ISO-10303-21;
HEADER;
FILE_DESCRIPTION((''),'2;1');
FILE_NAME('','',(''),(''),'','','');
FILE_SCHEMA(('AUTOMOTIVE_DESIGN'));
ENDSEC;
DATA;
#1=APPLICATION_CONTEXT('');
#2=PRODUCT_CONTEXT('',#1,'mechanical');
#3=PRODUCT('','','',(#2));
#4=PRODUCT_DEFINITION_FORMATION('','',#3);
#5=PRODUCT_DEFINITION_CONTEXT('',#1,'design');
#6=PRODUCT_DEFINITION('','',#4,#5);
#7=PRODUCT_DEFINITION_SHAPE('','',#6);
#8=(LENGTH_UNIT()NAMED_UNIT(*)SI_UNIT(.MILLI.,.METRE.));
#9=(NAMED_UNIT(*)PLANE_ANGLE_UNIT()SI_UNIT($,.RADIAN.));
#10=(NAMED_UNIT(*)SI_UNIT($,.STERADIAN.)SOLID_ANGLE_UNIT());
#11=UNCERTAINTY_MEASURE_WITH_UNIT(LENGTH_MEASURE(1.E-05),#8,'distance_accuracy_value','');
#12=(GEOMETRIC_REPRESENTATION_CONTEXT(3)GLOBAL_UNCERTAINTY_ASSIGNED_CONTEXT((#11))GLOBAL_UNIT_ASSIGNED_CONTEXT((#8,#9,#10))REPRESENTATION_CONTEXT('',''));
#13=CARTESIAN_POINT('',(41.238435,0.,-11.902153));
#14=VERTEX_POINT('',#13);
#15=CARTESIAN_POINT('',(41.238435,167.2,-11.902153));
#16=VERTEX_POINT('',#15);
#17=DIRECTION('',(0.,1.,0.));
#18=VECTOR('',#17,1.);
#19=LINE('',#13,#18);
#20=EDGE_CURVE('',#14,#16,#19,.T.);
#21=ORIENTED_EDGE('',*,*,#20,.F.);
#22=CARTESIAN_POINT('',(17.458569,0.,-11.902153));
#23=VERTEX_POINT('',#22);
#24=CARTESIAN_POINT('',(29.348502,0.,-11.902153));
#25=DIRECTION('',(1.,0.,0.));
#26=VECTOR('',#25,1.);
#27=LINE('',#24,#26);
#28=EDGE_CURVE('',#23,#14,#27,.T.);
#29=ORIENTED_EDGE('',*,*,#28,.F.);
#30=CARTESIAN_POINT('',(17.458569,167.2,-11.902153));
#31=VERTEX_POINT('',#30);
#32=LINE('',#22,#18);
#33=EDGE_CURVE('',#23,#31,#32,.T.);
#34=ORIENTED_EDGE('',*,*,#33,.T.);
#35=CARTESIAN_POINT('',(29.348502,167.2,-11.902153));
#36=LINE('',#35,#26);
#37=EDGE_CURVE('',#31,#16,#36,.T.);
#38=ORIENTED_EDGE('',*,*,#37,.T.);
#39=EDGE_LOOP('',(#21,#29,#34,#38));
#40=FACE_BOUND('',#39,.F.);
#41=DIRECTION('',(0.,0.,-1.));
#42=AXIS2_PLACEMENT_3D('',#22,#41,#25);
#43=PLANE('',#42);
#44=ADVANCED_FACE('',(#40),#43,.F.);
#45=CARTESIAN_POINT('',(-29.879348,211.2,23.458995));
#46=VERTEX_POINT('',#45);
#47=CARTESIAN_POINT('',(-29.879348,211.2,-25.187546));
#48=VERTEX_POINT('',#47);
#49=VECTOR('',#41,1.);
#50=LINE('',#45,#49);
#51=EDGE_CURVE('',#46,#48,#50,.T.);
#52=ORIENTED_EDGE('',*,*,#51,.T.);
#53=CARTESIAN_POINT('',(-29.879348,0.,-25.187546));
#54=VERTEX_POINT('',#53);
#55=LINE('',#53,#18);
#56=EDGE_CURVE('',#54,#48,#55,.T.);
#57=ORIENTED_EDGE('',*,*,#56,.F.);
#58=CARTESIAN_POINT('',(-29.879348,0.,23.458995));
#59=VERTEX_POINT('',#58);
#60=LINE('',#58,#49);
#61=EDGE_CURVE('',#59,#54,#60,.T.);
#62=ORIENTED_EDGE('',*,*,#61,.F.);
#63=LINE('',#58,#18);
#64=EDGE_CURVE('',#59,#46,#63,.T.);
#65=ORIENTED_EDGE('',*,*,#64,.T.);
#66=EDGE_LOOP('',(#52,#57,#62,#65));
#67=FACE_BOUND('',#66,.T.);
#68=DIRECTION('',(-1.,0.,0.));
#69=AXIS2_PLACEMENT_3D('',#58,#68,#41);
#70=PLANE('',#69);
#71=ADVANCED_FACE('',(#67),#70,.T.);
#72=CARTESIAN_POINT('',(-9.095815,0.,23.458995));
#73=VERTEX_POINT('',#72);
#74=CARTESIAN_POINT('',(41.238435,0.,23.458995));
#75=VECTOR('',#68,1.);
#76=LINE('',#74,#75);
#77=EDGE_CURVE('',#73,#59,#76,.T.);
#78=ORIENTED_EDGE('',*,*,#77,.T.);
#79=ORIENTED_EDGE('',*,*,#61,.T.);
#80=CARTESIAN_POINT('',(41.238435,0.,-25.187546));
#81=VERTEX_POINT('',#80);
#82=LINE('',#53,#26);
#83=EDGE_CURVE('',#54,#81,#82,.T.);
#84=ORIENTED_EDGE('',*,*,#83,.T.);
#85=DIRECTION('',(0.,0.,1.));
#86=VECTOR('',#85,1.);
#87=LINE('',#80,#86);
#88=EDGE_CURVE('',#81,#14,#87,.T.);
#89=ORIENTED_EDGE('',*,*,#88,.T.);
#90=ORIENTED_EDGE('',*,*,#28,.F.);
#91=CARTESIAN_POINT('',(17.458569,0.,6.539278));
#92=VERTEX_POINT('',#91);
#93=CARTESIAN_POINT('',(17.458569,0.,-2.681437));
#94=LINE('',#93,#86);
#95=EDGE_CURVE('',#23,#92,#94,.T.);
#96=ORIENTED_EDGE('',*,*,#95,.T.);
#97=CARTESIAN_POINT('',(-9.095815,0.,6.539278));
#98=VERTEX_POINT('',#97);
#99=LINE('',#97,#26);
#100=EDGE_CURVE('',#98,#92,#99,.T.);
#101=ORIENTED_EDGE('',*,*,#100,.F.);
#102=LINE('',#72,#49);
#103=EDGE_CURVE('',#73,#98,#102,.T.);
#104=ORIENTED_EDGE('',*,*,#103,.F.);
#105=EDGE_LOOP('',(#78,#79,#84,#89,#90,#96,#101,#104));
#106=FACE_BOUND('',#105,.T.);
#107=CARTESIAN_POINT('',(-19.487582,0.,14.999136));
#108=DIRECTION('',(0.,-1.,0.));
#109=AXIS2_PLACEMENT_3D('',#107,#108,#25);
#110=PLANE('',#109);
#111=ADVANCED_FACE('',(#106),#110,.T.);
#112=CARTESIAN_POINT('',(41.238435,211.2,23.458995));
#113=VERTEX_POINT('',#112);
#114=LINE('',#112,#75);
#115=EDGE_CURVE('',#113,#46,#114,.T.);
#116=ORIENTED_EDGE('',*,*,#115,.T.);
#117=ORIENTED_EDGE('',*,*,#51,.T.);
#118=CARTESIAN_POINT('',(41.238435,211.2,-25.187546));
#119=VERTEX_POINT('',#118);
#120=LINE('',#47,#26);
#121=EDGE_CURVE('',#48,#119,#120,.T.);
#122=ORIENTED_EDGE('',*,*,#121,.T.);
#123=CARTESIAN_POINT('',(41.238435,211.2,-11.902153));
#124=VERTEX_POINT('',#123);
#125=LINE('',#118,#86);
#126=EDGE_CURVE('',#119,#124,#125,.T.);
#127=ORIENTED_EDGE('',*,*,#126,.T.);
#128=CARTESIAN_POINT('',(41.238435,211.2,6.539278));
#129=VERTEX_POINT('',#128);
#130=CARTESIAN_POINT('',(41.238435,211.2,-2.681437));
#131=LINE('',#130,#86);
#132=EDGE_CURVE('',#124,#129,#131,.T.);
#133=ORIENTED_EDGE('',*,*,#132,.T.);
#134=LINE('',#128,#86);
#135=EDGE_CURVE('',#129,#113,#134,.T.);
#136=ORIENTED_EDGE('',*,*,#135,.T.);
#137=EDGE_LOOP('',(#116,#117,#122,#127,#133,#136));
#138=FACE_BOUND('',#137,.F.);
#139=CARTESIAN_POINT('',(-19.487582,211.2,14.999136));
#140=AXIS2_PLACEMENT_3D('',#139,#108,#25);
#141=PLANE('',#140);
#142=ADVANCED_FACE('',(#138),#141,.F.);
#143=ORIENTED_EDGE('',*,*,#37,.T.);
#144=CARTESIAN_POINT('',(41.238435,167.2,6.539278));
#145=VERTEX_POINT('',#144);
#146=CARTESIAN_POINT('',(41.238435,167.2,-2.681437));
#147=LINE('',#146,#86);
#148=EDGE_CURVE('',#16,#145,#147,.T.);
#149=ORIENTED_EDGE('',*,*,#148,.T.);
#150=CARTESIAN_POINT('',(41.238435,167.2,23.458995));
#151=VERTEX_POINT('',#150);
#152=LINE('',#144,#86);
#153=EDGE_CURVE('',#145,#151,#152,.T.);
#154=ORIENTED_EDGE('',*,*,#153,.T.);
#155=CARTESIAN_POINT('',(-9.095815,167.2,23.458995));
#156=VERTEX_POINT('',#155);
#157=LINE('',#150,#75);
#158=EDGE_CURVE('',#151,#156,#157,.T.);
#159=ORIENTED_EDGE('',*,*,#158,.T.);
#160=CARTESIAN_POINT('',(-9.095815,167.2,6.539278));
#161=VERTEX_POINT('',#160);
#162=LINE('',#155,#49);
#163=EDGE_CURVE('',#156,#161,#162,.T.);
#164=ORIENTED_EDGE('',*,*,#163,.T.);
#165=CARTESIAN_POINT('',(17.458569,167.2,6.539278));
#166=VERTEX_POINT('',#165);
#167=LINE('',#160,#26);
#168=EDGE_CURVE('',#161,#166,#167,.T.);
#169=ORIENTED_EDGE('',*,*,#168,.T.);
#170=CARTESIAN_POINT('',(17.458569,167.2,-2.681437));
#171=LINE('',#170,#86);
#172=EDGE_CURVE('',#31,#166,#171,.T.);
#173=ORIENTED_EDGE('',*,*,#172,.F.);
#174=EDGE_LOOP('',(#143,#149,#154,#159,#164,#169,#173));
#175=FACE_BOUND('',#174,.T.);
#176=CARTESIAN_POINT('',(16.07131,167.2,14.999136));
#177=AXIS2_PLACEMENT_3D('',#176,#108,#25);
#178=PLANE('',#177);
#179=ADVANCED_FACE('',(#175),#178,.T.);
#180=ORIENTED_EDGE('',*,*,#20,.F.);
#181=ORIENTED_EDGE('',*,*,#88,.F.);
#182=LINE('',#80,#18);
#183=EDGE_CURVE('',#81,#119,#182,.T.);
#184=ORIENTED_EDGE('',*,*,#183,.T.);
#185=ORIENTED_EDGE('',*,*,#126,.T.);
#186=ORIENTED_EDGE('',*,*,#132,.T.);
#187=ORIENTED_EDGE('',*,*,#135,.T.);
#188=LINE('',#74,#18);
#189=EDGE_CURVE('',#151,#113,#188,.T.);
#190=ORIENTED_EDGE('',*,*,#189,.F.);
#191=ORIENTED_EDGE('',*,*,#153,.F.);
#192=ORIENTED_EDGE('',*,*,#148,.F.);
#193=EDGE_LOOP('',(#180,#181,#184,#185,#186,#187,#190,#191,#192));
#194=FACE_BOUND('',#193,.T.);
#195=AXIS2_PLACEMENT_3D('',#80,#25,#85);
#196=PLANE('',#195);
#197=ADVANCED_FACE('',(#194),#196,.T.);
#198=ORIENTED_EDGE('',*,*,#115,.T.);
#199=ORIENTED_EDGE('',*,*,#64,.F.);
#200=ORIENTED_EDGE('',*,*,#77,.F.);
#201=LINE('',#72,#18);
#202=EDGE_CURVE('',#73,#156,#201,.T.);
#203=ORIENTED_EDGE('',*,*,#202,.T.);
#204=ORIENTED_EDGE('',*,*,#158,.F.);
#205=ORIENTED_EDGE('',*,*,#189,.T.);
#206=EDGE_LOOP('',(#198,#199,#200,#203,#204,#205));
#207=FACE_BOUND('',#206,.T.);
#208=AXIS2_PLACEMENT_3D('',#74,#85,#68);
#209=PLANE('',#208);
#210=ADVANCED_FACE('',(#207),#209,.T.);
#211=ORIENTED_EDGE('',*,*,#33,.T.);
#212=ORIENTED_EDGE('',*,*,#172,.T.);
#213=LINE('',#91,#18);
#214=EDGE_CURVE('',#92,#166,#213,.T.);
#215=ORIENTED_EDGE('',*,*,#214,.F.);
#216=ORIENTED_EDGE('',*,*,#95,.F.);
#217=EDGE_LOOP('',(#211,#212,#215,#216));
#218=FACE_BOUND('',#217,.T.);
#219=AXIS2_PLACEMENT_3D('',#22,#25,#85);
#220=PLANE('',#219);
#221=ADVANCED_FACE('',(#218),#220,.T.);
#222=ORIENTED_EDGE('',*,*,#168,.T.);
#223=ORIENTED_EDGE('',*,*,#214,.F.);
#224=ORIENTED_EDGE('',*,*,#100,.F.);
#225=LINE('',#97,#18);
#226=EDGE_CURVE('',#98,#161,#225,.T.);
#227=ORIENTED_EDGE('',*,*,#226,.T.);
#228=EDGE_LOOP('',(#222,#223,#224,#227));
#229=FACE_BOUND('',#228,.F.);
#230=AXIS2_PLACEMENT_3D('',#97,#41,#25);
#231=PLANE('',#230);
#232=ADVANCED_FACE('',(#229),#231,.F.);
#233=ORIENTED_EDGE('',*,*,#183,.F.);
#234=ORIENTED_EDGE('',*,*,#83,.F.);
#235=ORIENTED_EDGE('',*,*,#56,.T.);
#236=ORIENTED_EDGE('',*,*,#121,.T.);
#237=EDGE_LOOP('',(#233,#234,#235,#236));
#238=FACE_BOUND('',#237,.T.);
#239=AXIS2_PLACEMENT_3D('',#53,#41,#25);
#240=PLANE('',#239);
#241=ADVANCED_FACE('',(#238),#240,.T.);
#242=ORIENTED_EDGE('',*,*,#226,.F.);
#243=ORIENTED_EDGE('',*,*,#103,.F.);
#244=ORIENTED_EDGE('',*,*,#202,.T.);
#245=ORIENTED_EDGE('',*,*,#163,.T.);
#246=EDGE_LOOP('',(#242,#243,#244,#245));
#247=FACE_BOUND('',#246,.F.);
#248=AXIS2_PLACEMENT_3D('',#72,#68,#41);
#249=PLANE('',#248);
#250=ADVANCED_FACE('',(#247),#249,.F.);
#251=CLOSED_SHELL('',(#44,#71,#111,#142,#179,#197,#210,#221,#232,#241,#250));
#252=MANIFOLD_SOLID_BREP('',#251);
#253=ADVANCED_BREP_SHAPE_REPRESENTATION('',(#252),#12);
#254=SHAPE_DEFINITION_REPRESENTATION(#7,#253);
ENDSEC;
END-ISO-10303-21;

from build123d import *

# Parameters (mm, degrees)
F0_W     = 20.7835333422
F0_H     = 16.9197171926
F0_W_2   = 23.7798653543
F0_H_2   = 18.441430293
F1_DEPTH = 211.2
F2_DEPTH = 167.2


with BuildPart() as f1:
    # F0 (on Front) → F1 (new body)
    with BuildSketch(Plane.XZ):
        with Locations((-19.4875816815, 14.9991363287)):
            Rectangle(F0_W, F0_H)
        Polygon((-9.0958150104, 6.5392777324), (-29.8793483526, 6.5392777324), (-29.8793483526, -11.9021525607), (17.4585692585, -11.9021525607), (17.4585692585, 6.5392777324), align=None)
        Polygon((17.4585692585, -11.9021525607), (-29.8793483526, -11.9021525607), (-29.8793483526, -25.1875463873), (41.2384346128, -25.1875463873), (41.2384346128, -11.9021525607), align=None)
        Polygon((41.2384346128, 23.458994925), (-9.0958150104, 23.458994925), (-9.0958150104, 6.5392777324), (17.4585692585, 6.5392777324), (41.2384346128, 6.5392777324), align=None)
        with Locations((29.3485019356, -2.6814374141)):
            Rectangle(F0_W_2, F0_H_2)
    extrude(amount=-F1_DEPTH)

    # F0 (on Front) → F2 (cut)
    with BuildSketch(Plane.XZ):
        Polygon((41.2384346128, 23.458994925), (-9.0958150104, 23.458994925), (-9.0958150104, 6.5392777324), (17.4585692585, 6.5392777324), (41.2384346128, 6.5392777324), align=None)
        with Locations((29.3485019356, -2.6814374141)):
            Rectangle(F0_W_2, F0_H_2)
    extrude(amount=-F2_DEPTH, mode=Mode.SUBTRACT)


solid = f1.part
